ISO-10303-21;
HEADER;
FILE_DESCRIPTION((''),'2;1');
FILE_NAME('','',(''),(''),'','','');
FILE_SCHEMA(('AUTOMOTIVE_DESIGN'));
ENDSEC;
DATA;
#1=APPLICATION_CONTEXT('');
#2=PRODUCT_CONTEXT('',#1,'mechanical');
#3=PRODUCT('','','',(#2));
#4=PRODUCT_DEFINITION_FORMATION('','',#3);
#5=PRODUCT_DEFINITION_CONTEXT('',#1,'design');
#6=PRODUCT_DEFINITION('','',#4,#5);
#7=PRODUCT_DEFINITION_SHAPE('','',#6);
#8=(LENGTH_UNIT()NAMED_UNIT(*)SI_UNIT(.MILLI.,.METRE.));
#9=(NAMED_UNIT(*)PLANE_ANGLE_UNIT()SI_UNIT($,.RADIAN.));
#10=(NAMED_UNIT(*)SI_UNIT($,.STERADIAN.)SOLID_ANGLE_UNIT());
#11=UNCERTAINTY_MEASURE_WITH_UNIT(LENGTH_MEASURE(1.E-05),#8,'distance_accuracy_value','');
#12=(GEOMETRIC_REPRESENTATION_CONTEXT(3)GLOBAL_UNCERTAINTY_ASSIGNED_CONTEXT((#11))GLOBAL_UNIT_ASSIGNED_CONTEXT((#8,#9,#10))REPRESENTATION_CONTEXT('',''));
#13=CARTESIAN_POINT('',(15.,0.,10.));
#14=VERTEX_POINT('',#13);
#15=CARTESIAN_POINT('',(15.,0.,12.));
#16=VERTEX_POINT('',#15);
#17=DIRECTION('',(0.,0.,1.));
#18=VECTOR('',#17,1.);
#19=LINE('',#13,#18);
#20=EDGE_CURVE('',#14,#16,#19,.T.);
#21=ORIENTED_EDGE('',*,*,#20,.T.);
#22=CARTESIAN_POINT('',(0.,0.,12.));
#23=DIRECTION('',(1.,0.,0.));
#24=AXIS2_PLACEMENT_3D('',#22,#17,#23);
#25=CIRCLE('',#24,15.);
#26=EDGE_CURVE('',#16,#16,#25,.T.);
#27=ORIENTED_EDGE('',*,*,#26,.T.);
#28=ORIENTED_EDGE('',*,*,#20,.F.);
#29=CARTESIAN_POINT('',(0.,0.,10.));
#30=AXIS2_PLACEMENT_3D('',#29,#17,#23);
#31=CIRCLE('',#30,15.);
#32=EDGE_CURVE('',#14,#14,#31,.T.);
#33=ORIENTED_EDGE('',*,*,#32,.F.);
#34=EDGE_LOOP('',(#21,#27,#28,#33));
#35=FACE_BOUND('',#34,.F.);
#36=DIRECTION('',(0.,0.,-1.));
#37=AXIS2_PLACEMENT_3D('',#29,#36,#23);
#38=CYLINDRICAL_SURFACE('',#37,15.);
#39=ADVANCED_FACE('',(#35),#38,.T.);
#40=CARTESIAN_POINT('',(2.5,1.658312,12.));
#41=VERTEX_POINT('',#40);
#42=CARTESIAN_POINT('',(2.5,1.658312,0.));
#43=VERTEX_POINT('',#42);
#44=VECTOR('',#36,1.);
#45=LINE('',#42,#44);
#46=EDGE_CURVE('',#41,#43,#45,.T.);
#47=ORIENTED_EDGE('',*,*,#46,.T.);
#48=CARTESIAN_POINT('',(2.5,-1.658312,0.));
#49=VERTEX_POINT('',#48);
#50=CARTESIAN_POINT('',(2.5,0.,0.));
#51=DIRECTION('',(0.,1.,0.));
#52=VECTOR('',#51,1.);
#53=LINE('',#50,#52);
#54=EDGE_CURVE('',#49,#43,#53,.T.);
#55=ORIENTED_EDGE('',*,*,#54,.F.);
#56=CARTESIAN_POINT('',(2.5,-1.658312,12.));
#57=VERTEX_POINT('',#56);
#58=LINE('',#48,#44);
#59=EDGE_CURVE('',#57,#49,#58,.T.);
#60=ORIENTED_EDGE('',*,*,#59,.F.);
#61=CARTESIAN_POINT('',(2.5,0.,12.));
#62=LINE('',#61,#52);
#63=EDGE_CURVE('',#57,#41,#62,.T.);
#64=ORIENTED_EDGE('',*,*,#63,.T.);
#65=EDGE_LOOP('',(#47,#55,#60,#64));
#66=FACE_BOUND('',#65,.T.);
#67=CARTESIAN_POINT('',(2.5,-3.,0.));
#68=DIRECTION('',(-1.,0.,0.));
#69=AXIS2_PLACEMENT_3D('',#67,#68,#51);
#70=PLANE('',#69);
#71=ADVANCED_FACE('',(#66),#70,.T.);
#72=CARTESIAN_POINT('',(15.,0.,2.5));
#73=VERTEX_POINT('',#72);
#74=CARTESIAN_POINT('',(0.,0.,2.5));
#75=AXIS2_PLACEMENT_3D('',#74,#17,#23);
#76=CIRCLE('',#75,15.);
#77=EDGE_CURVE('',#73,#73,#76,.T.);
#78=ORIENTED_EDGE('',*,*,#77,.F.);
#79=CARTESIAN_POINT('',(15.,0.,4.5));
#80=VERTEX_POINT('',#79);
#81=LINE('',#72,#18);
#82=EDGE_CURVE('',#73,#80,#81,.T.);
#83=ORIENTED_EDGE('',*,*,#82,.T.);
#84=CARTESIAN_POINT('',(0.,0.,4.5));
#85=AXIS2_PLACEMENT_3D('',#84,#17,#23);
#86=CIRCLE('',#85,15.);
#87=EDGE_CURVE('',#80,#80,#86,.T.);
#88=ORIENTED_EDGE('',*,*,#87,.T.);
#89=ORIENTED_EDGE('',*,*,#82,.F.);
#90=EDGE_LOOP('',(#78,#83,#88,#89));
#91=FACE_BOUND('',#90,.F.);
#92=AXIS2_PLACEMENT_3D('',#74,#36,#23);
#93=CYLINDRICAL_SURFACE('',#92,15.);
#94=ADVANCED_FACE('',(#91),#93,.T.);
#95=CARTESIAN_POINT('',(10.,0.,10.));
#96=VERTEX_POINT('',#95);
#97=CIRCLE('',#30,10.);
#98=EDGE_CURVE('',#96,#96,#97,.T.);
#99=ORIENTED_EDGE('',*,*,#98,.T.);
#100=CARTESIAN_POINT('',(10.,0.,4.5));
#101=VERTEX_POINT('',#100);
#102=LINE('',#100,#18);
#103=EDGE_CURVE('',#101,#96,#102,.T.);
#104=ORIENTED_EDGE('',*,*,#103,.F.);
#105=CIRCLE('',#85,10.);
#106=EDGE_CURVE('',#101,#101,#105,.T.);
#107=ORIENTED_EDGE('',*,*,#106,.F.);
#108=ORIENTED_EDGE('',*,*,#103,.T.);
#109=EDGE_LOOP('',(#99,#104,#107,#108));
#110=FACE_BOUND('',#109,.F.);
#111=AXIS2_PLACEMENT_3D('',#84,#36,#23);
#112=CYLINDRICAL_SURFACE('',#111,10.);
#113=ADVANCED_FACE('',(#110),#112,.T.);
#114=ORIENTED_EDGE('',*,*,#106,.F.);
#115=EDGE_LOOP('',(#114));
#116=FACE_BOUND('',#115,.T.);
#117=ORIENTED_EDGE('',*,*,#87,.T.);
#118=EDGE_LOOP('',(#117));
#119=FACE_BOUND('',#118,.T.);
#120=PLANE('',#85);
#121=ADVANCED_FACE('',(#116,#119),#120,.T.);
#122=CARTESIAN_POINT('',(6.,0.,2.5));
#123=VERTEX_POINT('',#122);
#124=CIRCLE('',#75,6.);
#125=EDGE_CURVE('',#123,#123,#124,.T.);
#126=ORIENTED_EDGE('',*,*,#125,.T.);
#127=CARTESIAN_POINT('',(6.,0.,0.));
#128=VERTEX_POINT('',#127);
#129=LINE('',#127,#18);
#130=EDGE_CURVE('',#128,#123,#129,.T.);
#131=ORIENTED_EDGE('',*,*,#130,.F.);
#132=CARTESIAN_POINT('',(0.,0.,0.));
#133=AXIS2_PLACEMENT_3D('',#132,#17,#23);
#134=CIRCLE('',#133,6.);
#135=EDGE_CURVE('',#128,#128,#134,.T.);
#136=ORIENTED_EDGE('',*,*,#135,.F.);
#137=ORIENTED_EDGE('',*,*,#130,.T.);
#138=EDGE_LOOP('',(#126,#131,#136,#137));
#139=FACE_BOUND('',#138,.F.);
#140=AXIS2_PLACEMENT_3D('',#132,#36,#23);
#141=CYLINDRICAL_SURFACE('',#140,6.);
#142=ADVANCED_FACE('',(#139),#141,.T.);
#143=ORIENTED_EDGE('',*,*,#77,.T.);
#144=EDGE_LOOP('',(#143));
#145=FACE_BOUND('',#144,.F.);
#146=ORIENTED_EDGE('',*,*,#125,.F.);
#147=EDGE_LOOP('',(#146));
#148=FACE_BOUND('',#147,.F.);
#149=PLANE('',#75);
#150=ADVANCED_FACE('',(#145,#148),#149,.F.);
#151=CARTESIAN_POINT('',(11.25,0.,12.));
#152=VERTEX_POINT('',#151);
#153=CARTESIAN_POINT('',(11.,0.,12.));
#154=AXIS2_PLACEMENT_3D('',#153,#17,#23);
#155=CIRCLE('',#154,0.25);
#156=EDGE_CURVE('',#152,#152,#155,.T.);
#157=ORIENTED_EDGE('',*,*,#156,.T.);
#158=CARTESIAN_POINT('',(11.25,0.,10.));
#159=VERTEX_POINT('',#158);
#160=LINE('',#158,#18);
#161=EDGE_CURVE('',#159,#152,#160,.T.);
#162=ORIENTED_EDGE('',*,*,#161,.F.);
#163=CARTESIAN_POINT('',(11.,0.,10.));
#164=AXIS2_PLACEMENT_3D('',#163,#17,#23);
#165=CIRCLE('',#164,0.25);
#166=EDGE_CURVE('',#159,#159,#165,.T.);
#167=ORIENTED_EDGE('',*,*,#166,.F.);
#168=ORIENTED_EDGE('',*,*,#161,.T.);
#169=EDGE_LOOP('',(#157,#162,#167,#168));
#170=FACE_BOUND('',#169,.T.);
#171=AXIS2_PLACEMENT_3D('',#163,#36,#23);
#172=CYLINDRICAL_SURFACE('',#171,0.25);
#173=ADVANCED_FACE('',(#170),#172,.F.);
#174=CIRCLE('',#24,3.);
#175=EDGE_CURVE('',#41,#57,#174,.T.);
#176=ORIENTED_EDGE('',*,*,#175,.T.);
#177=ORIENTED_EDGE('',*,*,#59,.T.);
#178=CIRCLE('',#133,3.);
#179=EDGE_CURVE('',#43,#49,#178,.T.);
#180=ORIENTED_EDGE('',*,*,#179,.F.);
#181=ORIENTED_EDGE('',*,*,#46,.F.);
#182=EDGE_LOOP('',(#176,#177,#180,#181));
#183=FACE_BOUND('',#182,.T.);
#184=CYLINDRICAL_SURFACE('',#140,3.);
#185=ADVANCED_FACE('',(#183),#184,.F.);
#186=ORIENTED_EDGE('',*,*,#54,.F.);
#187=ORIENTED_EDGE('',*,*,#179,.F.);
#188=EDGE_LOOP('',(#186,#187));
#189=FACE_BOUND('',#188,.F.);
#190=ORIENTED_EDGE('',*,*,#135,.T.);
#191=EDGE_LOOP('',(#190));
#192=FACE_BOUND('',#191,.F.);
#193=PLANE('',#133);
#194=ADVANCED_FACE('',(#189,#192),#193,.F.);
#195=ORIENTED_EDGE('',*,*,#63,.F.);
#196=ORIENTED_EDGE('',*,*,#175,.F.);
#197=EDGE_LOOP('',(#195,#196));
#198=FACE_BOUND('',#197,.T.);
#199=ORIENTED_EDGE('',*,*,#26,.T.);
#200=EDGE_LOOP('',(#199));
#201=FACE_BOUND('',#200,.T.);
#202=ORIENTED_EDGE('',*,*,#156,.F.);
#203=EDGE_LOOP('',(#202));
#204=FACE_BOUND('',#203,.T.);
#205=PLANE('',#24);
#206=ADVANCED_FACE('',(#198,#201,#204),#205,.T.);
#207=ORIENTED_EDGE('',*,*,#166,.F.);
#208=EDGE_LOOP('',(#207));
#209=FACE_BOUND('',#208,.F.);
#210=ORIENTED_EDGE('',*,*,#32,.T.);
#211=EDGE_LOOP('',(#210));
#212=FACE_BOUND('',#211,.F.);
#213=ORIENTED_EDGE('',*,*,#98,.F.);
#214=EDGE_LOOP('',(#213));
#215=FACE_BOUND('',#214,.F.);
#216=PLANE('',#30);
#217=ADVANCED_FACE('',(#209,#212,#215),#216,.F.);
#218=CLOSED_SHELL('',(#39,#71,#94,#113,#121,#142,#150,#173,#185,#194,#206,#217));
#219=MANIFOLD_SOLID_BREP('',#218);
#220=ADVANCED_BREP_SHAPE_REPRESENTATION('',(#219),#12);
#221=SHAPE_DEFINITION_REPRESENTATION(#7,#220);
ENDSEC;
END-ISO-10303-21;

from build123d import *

# Parameters (mm, degrees)
BOX_W             = 0.5
BOX_H             = 6
BOX_DEPTH         = 12
CYLINDER005_R     = 3
CYLINDER005_DEPTH = 12
CYLINDER002_R     = 15
CYLINDER002_DEPTH = 2
CYLINDER003_R     = 6
CYLINDER003_DEPTH = 2.5
CYLINDER004_R     = 0.25
CYLINDER004_DEPTH = 2
CYLINDER_R        = 15
CYLINDER_DEPTH    = 2
CYLINDER001_R     = 10
CYLINDER001_DEPTH = 5.5


with BuildPart() as shaftholeflat:
    # Box → Box (new body)
    with BuildSketch(Plane(origin=(2.5, -3, 0), x_dir=(1, 0, 0), z_dir=(0, 0, 1))):
        with Locations((0.25, 3)):
            Rectangle(BOX_W, BOX_H)
    extrude(amount=BOX_DEPTH)


with BuildPart() as shafthole:
    # Cylinder005 → Cylinder005 (new body)
    with BuildSketch(Plane.XY):
        Circle(CYLINDER005_R)
    extrude(amount=CYLINDER005_DEPTH)

    # Cut: cut ShaftHoleFlat
    add(shaftholeflat.part, mode=Mode.SUBTRACT)


with BuildPart() as bottom:
    # Cylinder002 → Cylinder002 (new body)
    with BuildSketch(Plane.XY.offset(2.5)):
        Circle(CYLINDER002_R)
    extrude(amount=CYLINDER002_DEPTH)


with BuildPart() as standoff:
    # Cylinder003 → Cylinder003 (new body)
    with BuildSketch(Plane.XY):
        Circle(CYLINDER003_R)
    extrude(amount=CYLINDER003_DEPTH)


with BuildPart() as wiretiehole:
    # Cylinder004 → Cylinder004 (new body)
    with BuildSketch(Plane(origin=(11, 0, 10), x_dir=(1, 0, 0), z_dir=(0, 0, 1))):
        Circle(CYLINDER004_R)
    extrude(amount=CYLINDER004_DEPTH)


with BuildPart() as topwithwiretiehole:
    # Cylinder → Cylinder (new body)
    with BuildSketch(Plane.XY.offset(10)):
        Circle(CYLINDER_R)
    extrude(amount=CYLINDER_DEPTH)

    # Cut001: cut WireTieHole
    add(wiretiehole.part, mode=Mode.SUBTRACT)


with BuildPart() as body:
    # Cylinder001 → Cylinder001 (new body)
    with BuildSketch(Plane.XY.offset(4.5)):
        Circle(CYLINDER001_R)
    extrude(amount=CYLINDER001_DEPTH)

    # Fusion: union Bottom, Standoff, TopWithWireTieHole
    add(bottom.part)
    add(standoff.part)
    add(topwithwiretiehole.part)

    # Cut002: cut ShaftHole
    add(shafthole.part, mode=Mode.SUBTRACT)


solid = body.part
